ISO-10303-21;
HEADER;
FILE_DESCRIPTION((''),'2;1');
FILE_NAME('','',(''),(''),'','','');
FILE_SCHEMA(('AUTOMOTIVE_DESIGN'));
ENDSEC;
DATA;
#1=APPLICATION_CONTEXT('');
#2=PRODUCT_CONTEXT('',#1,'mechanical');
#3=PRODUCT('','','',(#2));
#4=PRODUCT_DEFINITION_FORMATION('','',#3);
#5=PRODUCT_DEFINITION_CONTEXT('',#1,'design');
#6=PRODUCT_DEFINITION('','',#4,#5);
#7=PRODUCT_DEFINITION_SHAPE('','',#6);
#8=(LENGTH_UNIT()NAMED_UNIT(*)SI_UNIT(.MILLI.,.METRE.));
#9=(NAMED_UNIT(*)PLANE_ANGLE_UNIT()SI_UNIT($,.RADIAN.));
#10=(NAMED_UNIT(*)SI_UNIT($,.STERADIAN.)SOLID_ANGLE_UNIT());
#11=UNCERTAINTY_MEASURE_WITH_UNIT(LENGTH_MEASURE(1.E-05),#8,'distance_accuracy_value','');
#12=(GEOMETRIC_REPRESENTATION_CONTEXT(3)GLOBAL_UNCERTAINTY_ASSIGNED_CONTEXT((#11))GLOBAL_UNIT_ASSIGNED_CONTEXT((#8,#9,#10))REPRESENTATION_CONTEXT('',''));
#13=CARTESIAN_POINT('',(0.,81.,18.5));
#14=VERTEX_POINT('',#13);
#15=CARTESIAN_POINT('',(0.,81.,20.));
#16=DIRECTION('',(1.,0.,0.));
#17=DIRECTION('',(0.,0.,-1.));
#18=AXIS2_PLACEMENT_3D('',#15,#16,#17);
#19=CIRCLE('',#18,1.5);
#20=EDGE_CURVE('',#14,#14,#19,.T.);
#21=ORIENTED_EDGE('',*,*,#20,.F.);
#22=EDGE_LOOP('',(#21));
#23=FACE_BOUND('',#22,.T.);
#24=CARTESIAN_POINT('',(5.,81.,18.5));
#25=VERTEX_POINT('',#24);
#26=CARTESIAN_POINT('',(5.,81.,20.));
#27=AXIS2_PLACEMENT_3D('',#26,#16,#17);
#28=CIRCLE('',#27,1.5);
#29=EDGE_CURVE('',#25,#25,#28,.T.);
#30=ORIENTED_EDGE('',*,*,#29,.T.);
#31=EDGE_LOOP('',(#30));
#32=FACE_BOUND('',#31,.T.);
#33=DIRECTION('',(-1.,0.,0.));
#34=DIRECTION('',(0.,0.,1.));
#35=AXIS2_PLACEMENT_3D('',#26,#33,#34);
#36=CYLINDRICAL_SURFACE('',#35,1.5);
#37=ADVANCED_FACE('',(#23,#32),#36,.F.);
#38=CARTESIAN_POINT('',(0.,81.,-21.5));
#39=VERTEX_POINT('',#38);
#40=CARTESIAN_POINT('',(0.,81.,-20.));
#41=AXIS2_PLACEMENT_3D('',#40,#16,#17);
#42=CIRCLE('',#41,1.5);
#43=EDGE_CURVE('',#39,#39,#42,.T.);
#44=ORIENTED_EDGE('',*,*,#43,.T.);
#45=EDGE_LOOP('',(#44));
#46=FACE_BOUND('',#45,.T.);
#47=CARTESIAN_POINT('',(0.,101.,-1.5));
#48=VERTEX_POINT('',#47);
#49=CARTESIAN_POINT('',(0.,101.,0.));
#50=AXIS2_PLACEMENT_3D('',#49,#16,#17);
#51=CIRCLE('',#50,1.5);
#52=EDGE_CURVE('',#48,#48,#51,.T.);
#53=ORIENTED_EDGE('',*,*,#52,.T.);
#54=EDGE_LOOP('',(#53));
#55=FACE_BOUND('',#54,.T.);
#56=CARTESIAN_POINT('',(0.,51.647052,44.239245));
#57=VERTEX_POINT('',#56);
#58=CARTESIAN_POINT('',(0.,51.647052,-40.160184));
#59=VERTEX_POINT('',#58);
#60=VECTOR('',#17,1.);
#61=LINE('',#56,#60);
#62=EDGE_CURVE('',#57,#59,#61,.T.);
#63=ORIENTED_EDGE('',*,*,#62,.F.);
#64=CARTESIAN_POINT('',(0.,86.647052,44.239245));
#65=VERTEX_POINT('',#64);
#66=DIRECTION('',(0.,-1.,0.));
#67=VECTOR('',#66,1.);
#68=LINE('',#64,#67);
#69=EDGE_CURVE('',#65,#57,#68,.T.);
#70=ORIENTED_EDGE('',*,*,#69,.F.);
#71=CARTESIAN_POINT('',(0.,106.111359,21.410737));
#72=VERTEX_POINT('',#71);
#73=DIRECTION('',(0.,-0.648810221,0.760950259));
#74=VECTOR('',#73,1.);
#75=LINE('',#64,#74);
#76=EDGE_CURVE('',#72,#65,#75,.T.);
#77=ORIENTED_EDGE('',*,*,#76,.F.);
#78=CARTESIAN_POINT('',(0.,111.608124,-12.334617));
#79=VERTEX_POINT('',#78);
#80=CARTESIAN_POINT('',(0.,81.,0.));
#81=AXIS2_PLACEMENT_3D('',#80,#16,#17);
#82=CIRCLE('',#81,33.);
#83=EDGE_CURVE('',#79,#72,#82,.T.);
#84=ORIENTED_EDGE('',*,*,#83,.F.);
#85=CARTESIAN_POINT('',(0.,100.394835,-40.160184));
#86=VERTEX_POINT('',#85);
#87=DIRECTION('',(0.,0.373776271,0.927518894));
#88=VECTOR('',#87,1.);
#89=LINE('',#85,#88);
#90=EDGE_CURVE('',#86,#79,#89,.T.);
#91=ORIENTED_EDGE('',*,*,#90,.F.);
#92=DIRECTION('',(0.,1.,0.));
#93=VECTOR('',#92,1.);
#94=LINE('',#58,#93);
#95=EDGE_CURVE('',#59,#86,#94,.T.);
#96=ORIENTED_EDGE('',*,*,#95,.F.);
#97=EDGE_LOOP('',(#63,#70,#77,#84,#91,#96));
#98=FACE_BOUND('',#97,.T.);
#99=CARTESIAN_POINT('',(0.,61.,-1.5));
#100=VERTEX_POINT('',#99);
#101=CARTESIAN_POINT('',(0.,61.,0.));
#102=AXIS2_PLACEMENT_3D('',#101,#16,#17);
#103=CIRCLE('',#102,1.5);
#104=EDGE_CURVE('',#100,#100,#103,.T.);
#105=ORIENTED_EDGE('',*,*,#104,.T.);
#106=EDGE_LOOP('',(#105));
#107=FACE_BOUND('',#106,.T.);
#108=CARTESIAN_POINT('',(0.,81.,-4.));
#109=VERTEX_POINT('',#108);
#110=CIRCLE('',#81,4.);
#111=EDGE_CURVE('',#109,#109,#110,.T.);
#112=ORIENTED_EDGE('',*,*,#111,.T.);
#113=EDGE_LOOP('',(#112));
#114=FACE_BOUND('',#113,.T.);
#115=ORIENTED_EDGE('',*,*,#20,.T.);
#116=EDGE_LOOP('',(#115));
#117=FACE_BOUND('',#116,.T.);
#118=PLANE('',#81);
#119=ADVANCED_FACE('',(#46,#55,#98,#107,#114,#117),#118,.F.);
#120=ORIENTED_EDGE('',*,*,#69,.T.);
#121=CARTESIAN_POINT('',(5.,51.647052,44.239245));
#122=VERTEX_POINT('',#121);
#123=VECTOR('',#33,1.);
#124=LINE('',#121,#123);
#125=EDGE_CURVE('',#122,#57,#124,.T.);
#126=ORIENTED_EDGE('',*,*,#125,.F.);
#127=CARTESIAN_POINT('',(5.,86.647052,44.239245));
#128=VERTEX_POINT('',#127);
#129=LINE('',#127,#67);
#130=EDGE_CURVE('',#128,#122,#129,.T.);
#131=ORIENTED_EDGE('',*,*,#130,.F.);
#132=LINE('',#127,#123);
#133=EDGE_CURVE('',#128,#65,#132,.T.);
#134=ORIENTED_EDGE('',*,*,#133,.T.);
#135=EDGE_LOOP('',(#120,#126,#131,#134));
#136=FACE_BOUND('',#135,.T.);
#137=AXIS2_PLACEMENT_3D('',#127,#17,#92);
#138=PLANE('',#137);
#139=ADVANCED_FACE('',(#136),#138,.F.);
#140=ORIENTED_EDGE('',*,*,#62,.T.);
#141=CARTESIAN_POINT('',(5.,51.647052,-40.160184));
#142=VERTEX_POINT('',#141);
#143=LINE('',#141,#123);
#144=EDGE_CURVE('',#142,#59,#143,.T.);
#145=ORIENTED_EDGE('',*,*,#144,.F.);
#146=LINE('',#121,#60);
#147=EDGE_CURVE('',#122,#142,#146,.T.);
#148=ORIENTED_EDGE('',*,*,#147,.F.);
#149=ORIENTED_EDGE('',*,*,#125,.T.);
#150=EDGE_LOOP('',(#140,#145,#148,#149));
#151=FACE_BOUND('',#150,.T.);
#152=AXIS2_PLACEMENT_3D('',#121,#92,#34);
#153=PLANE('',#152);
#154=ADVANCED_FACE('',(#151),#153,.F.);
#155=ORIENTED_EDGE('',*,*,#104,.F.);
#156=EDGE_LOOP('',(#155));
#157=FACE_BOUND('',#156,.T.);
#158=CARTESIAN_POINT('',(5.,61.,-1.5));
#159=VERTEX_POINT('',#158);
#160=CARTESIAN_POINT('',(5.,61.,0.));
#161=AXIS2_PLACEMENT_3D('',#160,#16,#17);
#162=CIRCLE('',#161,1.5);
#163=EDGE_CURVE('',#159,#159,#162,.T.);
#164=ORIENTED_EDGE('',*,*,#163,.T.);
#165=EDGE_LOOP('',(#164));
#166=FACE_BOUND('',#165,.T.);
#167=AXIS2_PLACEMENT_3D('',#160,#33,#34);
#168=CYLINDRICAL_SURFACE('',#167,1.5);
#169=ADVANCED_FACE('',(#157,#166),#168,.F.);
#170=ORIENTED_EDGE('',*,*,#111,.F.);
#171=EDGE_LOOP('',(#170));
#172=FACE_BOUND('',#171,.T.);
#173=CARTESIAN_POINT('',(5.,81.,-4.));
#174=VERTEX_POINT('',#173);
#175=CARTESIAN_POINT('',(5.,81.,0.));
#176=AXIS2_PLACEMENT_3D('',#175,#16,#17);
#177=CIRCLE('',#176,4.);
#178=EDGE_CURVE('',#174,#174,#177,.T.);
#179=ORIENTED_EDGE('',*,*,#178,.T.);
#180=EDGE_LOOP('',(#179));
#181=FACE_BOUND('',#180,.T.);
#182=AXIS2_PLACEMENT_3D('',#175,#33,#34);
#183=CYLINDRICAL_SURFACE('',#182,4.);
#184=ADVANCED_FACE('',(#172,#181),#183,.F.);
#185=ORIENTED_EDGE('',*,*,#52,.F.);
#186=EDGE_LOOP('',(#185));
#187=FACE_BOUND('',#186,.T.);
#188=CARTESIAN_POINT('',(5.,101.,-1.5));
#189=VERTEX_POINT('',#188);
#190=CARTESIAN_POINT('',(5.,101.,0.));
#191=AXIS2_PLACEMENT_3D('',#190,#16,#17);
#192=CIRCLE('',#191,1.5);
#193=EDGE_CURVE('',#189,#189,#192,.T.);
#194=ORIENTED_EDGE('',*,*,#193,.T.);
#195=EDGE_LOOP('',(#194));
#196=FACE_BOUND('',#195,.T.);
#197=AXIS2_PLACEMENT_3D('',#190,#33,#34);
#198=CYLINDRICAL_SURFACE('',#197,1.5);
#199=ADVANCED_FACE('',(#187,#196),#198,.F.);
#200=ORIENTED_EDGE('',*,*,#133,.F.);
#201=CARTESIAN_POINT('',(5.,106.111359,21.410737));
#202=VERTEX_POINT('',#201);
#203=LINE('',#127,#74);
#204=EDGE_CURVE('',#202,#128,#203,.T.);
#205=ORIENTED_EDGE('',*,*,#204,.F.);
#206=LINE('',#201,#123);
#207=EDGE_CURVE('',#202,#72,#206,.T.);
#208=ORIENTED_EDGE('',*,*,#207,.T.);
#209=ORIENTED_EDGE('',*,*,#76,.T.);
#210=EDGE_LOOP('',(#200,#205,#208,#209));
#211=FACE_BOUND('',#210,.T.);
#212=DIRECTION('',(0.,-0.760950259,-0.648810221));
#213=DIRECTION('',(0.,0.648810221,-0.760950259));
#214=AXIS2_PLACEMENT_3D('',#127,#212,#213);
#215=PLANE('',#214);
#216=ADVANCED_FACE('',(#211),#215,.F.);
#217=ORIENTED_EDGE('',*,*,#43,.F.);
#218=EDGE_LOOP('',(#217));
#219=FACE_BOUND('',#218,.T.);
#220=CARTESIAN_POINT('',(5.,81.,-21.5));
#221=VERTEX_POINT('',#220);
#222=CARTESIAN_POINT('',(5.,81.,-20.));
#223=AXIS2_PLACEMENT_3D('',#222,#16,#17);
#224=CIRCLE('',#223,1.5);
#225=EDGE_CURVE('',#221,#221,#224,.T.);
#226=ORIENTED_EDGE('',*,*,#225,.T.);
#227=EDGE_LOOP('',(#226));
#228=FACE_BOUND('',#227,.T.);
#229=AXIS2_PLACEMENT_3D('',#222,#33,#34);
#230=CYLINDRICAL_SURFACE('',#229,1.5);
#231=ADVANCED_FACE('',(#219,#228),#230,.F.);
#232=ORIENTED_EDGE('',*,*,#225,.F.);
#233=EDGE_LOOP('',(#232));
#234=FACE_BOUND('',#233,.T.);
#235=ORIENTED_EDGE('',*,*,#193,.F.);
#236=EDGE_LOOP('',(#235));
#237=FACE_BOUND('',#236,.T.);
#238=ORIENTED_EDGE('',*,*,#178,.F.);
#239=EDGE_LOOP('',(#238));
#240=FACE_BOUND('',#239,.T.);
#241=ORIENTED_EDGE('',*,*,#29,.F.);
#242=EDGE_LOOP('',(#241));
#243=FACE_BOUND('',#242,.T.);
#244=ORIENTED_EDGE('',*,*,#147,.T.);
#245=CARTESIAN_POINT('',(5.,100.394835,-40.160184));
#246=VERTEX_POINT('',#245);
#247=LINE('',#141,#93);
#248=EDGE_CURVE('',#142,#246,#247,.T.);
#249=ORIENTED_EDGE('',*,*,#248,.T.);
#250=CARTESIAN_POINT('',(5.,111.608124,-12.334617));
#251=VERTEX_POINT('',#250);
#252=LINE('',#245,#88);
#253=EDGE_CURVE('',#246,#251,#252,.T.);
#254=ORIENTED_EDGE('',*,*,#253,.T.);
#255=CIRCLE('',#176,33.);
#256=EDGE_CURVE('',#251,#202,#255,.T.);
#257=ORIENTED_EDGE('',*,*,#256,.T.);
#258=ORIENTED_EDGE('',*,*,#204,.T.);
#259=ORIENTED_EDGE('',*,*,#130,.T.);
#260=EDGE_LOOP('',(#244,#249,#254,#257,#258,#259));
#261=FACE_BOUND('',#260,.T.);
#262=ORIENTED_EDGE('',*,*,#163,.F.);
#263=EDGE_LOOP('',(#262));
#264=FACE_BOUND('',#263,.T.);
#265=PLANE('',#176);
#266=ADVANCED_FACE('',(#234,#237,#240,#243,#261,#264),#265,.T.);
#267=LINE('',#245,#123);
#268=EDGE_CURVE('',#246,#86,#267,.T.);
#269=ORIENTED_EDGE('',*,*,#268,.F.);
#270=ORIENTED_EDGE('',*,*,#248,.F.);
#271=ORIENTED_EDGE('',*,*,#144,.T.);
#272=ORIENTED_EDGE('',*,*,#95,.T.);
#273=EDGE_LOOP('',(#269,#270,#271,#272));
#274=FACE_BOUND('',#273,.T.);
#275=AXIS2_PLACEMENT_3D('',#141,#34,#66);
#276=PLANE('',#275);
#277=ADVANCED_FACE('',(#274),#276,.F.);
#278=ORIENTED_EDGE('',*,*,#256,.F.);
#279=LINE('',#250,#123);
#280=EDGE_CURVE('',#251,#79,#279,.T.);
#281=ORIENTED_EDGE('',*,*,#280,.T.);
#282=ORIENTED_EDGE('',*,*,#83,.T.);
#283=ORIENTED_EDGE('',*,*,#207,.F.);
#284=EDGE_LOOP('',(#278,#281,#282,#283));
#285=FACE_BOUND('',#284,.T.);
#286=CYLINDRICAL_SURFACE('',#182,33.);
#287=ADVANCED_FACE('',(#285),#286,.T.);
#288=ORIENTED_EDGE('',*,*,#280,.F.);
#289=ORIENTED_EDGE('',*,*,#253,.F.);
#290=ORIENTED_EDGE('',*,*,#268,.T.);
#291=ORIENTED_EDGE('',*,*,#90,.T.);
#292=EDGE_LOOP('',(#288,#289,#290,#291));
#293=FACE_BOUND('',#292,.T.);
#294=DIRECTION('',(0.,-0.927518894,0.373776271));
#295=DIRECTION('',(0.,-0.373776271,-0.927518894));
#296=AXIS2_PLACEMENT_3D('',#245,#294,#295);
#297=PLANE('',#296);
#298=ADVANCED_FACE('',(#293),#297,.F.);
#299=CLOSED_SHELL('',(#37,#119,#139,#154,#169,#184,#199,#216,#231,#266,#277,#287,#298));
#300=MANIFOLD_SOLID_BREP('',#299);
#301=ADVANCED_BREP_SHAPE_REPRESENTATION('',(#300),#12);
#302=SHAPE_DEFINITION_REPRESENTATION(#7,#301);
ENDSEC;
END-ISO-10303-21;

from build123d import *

# Parameters (mm, degrees)
ESTRUSIONE_ESTRUSIONE1_DEPTH = 5
SCHIZZO2_R                   = 4
SCHIZZO2_R_2                 = 1.5
TAGLIO_ESTRUSIONE1_DEPTH     = 6


with BuildPart() as part:
    # Schizzo3 → Estrusione-Estrusione1 (new body)
    with BuildSketch(Plane(origin=(0, 0, 0), x_dir=(0, 0, -1), z_dir=(1, 0, 0))):
        with BuildLine():
            Line((40.160183768, 51.647051924), (40.160183768, 100.394835388))
            Line((40.160183768, 100.394835388), (12.334616938, 111.608123513))
            ThreePointArc((12.334616938, 111.608123513), (-5.305430843, 113.570729245), (-21.410737295, 106.111358555))
            Line((-21.410737295, 106.111358555), (-44.239245072, 86.647051924))
            Line((-44.239245072, 86.647051924), (-44.239245072, 51.647051924))
            Line((-44.239245072, 51.647051924), (40.160183768, 51.647051924))
        make_face()
    extrude(amount=ESTRUSIONE_ESTRUSIONE1_DEPTH)

    # Schizzo2 → Taglio-Estrusione1 (cut, through all)
    with BuildSketch(Plane(origin=(0, 0, 0), x_dir=(0, 0, -1), z_dir=(1, 0, 0))):
        with Locations((-95, 0)):
            Circle(SCHIZZO2_R)
        with Locations((201, 0)):
            Circle(SCHIZZO2_R)
        with Locations((0, 101)):
            Circle(SCHIZZO2_R_2)
        with Locations((0, 61)):
            Circle(SCHIZZO2_R_2)
        with Locations((20, 81)):
            Circle(SCHIZZO2_R_2)
        with Locations((-20, 81)):
            Circle(SCHIZZO2_R_2)
        with Locations((0, 81)):
            Circle(SCHIZZO2_R)
    extrude(amount=TAGLIO_ESTRUSIONE1_DEPTH, mode=Mode.SUBTRACT)


solid = part.part
